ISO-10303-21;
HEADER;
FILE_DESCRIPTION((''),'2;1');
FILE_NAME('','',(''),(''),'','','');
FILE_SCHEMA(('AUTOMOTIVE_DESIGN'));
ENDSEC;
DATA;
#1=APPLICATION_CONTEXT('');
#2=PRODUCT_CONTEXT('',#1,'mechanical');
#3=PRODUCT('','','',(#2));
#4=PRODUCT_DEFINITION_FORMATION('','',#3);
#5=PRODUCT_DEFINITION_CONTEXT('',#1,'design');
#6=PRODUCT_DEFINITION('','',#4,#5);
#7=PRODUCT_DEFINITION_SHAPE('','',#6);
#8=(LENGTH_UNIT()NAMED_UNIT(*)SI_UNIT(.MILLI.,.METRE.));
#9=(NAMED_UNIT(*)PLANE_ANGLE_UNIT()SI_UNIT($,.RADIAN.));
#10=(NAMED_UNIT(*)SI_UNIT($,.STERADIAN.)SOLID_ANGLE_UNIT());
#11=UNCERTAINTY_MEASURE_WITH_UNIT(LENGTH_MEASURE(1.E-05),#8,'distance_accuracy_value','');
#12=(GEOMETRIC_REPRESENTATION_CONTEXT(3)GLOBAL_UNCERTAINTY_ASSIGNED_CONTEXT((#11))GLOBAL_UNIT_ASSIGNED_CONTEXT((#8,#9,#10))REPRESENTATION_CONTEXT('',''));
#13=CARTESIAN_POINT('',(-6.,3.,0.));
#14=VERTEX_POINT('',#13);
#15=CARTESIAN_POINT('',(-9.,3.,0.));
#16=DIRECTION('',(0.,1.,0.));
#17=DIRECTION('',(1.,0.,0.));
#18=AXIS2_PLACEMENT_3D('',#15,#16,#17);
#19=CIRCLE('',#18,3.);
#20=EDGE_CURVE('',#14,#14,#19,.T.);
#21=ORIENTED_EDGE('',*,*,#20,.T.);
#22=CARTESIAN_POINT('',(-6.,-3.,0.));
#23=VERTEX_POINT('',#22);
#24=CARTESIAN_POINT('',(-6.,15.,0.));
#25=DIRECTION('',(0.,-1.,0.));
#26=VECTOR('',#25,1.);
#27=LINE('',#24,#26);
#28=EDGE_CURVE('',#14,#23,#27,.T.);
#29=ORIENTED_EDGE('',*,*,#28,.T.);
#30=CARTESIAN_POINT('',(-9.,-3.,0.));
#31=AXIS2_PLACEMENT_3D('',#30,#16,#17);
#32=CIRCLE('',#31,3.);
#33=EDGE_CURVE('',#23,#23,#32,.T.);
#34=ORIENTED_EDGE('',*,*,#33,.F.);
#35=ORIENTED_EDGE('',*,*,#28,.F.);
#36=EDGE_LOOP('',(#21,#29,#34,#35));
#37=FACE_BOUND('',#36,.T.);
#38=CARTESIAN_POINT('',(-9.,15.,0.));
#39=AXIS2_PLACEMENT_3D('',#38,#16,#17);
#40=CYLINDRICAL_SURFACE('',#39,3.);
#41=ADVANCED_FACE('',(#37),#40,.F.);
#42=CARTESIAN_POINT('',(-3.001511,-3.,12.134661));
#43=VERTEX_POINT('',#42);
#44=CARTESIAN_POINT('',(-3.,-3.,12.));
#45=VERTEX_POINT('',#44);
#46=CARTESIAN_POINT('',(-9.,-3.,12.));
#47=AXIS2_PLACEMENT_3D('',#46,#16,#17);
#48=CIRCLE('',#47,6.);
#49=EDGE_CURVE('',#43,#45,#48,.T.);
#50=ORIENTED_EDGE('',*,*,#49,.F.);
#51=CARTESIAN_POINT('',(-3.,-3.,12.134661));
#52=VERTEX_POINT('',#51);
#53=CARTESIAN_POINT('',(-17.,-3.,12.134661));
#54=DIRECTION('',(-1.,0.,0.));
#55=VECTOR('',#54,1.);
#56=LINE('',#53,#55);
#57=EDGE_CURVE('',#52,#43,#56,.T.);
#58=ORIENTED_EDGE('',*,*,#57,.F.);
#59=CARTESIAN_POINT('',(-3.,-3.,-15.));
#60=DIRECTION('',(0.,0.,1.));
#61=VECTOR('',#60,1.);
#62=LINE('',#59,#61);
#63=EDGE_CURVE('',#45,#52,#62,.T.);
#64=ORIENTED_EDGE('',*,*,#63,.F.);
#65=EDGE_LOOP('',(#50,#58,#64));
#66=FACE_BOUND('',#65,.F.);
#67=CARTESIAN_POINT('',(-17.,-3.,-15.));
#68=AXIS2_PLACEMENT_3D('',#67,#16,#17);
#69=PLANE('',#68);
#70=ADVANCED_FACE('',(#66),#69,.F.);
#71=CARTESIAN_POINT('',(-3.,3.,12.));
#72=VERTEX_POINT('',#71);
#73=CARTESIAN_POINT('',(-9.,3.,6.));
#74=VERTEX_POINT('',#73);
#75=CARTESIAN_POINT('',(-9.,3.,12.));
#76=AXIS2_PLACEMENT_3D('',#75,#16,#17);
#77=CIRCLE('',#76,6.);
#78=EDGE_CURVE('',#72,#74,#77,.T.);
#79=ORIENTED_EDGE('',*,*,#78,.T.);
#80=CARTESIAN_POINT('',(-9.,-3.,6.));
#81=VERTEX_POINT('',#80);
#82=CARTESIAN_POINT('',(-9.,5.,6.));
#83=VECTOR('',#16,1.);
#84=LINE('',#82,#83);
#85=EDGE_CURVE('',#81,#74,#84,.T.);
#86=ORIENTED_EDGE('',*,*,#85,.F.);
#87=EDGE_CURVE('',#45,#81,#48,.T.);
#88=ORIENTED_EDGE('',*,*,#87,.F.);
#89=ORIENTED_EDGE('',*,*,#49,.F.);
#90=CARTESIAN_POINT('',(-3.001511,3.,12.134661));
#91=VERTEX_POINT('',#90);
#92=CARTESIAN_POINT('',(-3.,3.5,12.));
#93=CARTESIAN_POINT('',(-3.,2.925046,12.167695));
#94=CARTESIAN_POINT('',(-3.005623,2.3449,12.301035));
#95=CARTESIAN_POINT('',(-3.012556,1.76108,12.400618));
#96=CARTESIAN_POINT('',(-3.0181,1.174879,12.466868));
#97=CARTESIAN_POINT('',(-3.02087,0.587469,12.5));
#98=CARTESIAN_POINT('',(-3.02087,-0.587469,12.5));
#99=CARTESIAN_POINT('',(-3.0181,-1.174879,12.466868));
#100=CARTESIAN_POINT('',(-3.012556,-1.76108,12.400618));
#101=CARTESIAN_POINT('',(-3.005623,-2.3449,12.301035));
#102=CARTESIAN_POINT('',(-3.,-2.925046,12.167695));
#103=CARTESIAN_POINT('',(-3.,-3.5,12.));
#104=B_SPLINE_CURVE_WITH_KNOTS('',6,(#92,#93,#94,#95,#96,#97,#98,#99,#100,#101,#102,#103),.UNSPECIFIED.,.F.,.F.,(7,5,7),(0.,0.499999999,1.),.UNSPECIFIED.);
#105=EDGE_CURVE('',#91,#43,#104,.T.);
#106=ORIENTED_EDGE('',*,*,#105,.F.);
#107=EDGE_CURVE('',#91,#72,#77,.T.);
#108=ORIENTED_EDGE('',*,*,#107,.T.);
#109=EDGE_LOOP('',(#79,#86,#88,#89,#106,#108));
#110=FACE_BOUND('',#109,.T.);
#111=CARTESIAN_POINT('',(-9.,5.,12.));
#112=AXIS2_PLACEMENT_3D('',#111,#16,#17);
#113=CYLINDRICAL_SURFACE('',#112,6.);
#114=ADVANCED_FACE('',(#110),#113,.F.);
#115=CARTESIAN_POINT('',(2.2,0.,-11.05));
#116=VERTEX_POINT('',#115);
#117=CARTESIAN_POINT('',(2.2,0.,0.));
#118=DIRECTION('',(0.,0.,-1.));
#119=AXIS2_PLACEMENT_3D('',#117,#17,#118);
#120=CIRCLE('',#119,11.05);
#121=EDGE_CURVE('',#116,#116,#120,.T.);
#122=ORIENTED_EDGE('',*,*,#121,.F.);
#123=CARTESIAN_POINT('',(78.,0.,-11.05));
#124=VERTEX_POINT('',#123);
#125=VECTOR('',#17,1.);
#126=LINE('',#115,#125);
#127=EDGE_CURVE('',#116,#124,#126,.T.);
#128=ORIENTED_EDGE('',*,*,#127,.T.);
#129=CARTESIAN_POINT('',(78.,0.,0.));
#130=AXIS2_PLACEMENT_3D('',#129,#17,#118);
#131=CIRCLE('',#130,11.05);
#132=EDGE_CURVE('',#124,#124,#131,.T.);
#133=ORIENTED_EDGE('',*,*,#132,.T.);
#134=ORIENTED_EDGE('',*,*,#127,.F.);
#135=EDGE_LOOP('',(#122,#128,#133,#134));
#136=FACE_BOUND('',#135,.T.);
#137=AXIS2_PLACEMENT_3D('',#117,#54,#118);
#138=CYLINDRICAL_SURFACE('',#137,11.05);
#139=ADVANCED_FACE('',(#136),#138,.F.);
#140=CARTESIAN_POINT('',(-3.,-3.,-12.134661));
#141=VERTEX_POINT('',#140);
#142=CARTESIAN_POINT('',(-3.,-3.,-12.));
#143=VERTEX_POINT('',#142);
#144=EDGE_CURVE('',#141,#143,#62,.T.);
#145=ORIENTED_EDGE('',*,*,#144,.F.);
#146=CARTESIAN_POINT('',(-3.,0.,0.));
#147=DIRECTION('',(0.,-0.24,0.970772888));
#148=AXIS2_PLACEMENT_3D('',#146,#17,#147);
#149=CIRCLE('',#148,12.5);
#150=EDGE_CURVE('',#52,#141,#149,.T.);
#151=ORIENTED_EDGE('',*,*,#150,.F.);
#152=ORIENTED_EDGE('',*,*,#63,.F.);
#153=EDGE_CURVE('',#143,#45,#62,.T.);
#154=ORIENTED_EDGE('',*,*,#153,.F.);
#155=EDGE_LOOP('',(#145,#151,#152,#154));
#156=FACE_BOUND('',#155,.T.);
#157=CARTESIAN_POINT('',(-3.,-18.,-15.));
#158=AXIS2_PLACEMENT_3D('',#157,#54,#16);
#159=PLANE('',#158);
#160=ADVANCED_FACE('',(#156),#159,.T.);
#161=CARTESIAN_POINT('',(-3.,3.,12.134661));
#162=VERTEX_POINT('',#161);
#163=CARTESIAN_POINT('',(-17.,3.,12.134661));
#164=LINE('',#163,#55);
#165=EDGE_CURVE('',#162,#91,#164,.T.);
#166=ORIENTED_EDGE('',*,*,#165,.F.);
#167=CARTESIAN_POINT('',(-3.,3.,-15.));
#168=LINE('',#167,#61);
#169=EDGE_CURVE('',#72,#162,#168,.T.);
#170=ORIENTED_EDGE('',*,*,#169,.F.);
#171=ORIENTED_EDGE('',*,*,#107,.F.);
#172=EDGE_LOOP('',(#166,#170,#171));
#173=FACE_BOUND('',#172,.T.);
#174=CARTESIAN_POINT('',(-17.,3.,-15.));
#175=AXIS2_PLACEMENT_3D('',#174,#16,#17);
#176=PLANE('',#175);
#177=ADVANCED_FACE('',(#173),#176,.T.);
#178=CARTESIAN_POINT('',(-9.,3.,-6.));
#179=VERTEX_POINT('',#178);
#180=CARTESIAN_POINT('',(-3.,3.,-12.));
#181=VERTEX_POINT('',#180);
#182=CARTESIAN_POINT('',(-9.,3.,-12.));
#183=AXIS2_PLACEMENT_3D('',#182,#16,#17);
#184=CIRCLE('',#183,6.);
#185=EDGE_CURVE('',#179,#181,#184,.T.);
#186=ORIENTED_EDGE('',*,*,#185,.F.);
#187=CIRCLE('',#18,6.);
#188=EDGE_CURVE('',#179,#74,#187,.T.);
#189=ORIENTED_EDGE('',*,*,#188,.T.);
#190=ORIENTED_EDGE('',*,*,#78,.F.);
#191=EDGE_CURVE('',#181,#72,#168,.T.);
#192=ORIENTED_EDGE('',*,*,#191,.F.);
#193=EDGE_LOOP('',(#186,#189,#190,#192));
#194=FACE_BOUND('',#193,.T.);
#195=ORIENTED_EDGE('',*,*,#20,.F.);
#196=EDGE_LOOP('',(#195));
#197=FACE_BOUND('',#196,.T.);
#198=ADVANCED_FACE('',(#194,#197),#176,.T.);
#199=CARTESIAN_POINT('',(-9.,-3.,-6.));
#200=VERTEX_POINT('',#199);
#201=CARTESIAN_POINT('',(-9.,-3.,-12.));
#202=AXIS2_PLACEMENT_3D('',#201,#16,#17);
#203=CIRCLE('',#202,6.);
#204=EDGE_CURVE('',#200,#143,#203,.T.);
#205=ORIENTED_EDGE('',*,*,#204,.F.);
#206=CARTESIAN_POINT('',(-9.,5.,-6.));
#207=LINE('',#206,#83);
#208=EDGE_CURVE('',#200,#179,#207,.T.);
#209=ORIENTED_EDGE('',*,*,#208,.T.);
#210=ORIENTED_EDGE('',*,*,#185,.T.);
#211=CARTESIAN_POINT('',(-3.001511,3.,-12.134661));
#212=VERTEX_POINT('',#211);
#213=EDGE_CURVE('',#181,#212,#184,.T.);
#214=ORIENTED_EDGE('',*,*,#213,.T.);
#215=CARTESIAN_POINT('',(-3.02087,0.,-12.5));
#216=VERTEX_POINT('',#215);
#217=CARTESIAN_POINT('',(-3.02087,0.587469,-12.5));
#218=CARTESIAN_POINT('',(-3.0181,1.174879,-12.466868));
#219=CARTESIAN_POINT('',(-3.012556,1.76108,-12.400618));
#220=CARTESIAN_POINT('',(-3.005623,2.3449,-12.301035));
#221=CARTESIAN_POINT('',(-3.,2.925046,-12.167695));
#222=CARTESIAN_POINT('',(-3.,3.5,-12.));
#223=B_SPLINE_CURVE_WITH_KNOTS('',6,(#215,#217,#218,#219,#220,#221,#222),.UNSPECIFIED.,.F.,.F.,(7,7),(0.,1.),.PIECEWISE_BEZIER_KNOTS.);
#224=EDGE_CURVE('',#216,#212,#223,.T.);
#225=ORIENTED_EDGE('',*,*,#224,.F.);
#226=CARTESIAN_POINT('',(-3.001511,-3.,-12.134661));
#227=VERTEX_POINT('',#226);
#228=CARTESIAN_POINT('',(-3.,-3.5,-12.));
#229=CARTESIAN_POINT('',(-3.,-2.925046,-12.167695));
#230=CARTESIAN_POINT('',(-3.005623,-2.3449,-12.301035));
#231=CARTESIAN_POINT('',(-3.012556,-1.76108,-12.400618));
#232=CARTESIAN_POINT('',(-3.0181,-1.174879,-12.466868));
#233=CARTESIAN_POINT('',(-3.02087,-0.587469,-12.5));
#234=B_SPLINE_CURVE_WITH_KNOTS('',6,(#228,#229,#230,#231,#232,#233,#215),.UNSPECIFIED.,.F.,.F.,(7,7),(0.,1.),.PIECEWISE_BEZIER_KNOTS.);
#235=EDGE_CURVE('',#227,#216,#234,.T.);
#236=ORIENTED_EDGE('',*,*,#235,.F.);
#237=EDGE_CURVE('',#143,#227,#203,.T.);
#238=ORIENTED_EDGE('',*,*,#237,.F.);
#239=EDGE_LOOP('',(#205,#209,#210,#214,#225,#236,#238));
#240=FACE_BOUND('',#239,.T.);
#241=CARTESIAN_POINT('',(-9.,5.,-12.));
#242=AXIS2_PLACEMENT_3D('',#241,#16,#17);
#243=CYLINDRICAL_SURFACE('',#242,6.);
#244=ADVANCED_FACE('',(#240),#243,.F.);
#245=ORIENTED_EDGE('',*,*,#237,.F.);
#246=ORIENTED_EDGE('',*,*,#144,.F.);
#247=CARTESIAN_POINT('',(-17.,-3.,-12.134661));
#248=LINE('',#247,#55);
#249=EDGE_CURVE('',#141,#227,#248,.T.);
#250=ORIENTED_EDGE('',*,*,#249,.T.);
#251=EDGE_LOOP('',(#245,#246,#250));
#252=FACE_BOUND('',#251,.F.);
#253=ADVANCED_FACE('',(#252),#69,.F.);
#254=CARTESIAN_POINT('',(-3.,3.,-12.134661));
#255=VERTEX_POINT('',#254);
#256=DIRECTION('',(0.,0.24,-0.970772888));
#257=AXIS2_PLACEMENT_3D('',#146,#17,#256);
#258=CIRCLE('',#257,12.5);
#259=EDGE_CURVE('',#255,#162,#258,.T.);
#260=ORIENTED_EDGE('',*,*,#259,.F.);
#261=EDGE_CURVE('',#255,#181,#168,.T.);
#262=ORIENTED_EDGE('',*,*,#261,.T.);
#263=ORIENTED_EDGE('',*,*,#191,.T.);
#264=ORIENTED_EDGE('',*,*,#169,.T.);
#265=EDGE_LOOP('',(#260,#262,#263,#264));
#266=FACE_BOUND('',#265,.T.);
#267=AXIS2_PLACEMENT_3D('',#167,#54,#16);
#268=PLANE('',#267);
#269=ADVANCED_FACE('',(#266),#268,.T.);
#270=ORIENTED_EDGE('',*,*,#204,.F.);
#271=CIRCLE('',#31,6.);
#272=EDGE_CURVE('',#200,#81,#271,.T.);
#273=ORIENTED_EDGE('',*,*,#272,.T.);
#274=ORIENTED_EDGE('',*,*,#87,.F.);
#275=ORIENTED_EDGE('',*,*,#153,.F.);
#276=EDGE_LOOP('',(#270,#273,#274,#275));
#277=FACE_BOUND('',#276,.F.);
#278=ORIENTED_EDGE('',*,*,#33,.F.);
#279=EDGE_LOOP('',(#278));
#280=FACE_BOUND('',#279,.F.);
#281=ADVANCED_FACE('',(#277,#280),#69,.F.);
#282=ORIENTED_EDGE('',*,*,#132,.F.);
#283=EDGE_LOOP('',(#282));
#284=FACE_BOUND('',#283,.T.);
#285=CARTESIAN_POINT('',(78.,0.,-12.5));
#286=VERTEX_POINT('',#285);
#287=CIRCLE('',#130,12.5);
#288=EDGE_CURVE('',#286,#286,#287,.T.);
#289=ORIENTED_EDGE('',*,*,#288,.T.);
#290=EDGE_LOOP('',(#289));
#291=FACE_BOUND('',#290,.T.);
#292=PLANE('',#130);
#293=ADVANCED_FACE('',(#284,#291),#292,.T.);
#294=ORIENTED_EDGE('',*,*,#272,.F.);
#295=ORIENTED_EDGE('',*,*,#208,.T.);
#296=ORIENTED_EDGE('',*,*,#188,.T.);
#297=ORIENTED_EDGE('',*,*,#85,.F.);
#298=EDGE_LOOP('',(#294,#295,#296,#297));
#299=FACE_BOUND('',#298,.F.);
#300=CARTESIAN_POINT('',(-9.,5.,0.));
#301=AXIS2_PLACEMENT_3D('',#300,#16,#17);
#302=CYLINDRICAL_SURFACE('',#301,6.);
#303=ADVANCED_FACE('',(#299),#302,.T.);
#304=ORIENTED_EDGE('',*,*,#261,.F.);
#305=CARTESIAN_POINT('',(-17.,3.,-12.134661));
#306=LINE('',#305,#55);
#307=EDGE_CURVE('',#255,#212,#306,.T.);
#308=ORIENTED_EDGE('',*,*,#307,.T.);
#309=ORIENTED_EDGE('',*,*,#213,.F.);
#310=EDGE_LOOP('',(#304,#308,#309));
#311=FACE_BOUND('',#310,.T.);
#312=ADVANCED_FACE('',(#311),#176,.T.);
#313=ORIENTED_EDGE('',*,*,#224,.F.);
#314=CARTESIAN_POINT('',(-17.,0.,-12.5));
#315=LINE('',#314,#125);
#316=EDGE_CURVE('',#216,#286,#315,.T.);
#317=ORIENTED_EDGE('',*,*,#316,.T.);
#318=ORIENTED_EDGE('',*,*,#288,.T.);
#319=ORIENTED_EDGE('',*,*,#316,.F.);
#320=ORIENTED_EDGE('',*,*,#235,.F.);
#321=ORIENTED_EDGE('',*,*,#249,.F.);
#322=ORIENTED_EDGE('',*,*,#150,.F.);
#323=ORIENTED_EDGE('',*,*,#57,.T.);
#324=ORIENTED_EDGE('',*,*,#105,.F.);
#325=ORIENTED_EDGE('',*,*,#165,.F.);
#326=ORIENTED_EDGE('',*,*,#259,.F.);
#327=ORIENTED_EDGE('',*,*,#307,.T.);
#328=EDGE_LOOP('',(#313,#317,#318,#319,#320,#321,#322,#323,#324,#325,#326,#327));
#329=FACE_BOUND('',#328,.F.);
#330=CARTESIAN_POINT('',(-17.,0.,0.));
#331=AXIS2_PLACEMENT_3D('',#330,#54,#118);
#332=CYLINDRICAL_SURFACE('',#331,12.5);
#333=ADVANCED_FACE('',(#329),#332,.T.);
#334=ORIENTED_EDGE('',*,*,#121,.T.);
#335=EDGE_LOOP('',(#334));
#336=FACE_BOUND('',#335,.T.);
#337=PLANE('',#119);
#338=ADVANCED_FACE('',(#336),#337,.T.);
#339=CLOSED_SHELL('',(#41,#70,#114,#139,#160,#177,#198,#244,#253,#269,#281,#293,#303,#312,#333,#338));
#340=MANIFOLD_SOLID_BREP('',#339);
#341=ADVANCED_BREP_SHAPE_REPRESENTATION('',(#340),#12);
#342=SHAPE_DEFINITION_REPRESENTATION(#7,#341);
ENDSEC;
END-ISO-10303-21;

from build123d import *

# Parameters (mm, degrees)
CYLINDER071_R           = 6
CYLINDER071_DEPTH       = 10
CYLINDER071_ROLL_ANGLE  = 90
CYLINDER072_R           = 6
CYLINDER072_DEPTH       = 10
CYLINDER072_ROLL_ANGLE  = 90
BOX003_W                = 6
BOX003_H                = 10
BOX003_DEPTH            = 38
BOX002_W                = 14
BOX002_H                = 10
BOX002_DEPTH            = 38
CYLINDER070_R           = 6
CYLINDER070_DEPTH       = 10
CYLINDER070_ROLL_ANGLE  = 90
CYLINDER006_R           = 11.05
CYLINDER006_DEPTH       = 75.8
CYLINDER006_PITCH_ANGLE = 90
CYLINDER018_R           = 3
CYLINDER018_DEPTH       = 30
CYLINDER018_ROLL_ANGLE  = 90
BOX001_W                = 14
BOX001_H                = 15
BOX001_DEPTH            = 30
BOX_W                   = 14
BOX_H                   = 15
BOX_DEPTH               = 30
CYLINDER005_R           = 12.5
CYLINDER005_DEPTH       = 95
CYLINDER005_PITCH_ANGLE = 90


with BuildPart() as cylinder076:
    # Cylinder071 → Cylinder071 (new body)
    with BuildSketch(Plane.XY):
        Circle(CYLINDER071_R)
    extrude(amount=CYLINDER071_DEPTH)


with BuildPart() as cylinder076_1:
    # Cylinder071 roll: moved
    add(cylinder076.part.rotate(Axis((0, 0, 0), (1, 0, 0)), CYLINDER071_ROLL_ANGLE))


with BuildPart() as cylinder076_2:
    # Cylinder071 placement: moved
    add(cylinder076_1.part.moved(Location((-9, 5, -12))))


with BuildPart() as cylinder077:
    # Cylinder072 → Cylinder072 (new body)
    with BuildSketch(Plane.XY):
        Circle(CYLINDER072_R)
    extrude(amount=CYLINDER072_DEPTH)


with BuildPart() as cylinder077_1:
    # Cylinder072 roll: moved
    add(cylinder077.part.rotate(Axis((0, 0, 0), (1, 0, 0)), CYLINDER072_ROLL_ANGLE))


with BuildPart() as cylinder077_2:
    # Cylinder072 placement: moved
    add(cylinder077_1.part.moved(Location((-9, 5, 0))))


with BuildPart() as cube003:
    # Box003 → Box003 (new body)
    with BuildSketch(Plane(origin=(-9, -5, -19), x_dir=(1, 0, 0), z_dir=(0, 0, 1))):
        with Locations((3, 5)):
            Rectangle(BOX003_W, BOX003_H)
    extrude(amount=BOX003_DEPTH)


with BuildPart() as cut065:
    # Box002 → Box002 (new body)
    with BuildSketch(Plane(origin=(-17, -5, -19), x_dir=(1, 0, 0), z_dir=(0, 0, 1))):
        with Locations((7, 5)):
            Rectangle(BOX002_W, BOX002_H)
    extrude(amount=BOX002_DEPTH)

    # Cut064: cut Cube003
    add(cube003.part, mode=Mode.SUBTRACT)

    # Cut065: cut Cylinder077
    add(cylinder077_2.part, mode=Mode.SUBTRACT)


with BuildPart() as fusion015:
    # Cylinder070 → Cylinder070 (new body)
    with BuildSketch(Plane.XY):
        Circle(CYLINDER070_R)
    extrude(amount=CYLINDER070_DEPTH)


with BuildPart() as fusion015_1:
    # Cylinder070 roll: moved
    add(fusion015.part.rotate(Axis((0, 0, 0), (1, 0, 0)), CYLINDER070_ROLL_ANGLE))


with BuildPart() as fusion015_2:
    # Cylinder070 placement: moved
    add(fusion015_1.part.moved(Location((-9, 5, 12))))

    # Fusion015: union Cylinder076, Cut065
    add(cylinder076_2.part)
    add(cut065.part)


with BuildPart() as cylinder004:
    # Cylinder006 → Cylinder006 (new body)
    with BuildSketch(Plane.XY):
        Circle(CYLINDER006_R)
    extrude(amount=CYLINDER006_DEPTH)


with BuildPart() as cylinder004_1:
    # Cylinder006 pitch: moved
    add(cylinder004.part.rotate(Axis((0, 0, 0), (0, 1, 0)), CYLINDER006_PITCH_ANGLE))


with BuildPart() as cylinder004_2:
    # Cylinder006 placement: moved
    add(cylinder004_1.part.moved(Location((2.2, 0, 0))))


with BuildPart() as cylinder016:
    # Cylinder018 → Cylinder018 (new body)
    with BuildSketch(Plane.XY):
        Circle(CYLINDER018_R)
    extrude(amount=CYLINDER018_DEPTH)


with BuildPart() as cylinder016_1:
    # Cylinder018 roll: moved
    add(cylinder016.part.rotate(Axis((0, 0, 0), (1, 0, 0)), CYLINDER018_ROLL_ANGLE))


with BuildPart() as cylinder016_2:
    # Cylinder018 placement: moved
    add(cylinder016_1.part.moved(Location((-9, 15, 0))))


with BuildPart() as cube001:
    # Box001 → Box001 (new body)
    with BuildSketch(Plane(origin=(-17, -18, -15), x_dir=(1, 0, 0), z_dir=(0, 0, 1))):
        with Locations((7, 7.5)):
            Rectangle(BOX001_W, BOX001_H)
    extrude(amount=BOX001_DEPTH)


with BuildPart() as cube:
    # Box → Box (new body)
    with BuildSketch(Plane(origin=(-17, 3, -15), x_dir=(1, 0, 0), z_dir=(0, 0, 1))):
        with Locations((7, 7.5)):
            Rectangle(BOX_W, BOX_H)
    extrude(amount=BOX_DEPTH)


with BuildPart() as batterycap2:
    # Cylinder005 → Cylinder005 (new body)
    with BuildSketch(Plane.XY):
        Circle(CYLINDER005_R)
    extrude(amount=CYLINDER005_DEPTH)


with BuildPart() as batterycap2_1:
    # Cylinder005 pitch: moved
    add(batterycap2.part.rotate(Axis((0, 0, 0), (0, 1, 0)), CYLINDER005_PITCH_ANGLE))


with BuildPart() as batterycap2_2:
    # Cylinder005 placement: moved
    add(batterycap2_1.part.moved(Location((-17, 0, 0))))

    # Cut010: cut Cube
    add(cube.part, mode=Mode.SUBTRACT)

    # Cut011: cut Cube001
    add(cube001.part, mode=Mode.SUBTRACT)

    # Cut012: cut Cylinder016
    add(cylinder016_2.part, mode=Mode.SUBTRACT)

    # Cut013: cut Cylinder004
    add(cylinder004_2.part, mode=Mode.SUBTRACT)

    # Cut066: cut Fusion015
    add(fusion015_2.part, mode=Mode.SUBTRACT)


solid = batterycap2_2.part
